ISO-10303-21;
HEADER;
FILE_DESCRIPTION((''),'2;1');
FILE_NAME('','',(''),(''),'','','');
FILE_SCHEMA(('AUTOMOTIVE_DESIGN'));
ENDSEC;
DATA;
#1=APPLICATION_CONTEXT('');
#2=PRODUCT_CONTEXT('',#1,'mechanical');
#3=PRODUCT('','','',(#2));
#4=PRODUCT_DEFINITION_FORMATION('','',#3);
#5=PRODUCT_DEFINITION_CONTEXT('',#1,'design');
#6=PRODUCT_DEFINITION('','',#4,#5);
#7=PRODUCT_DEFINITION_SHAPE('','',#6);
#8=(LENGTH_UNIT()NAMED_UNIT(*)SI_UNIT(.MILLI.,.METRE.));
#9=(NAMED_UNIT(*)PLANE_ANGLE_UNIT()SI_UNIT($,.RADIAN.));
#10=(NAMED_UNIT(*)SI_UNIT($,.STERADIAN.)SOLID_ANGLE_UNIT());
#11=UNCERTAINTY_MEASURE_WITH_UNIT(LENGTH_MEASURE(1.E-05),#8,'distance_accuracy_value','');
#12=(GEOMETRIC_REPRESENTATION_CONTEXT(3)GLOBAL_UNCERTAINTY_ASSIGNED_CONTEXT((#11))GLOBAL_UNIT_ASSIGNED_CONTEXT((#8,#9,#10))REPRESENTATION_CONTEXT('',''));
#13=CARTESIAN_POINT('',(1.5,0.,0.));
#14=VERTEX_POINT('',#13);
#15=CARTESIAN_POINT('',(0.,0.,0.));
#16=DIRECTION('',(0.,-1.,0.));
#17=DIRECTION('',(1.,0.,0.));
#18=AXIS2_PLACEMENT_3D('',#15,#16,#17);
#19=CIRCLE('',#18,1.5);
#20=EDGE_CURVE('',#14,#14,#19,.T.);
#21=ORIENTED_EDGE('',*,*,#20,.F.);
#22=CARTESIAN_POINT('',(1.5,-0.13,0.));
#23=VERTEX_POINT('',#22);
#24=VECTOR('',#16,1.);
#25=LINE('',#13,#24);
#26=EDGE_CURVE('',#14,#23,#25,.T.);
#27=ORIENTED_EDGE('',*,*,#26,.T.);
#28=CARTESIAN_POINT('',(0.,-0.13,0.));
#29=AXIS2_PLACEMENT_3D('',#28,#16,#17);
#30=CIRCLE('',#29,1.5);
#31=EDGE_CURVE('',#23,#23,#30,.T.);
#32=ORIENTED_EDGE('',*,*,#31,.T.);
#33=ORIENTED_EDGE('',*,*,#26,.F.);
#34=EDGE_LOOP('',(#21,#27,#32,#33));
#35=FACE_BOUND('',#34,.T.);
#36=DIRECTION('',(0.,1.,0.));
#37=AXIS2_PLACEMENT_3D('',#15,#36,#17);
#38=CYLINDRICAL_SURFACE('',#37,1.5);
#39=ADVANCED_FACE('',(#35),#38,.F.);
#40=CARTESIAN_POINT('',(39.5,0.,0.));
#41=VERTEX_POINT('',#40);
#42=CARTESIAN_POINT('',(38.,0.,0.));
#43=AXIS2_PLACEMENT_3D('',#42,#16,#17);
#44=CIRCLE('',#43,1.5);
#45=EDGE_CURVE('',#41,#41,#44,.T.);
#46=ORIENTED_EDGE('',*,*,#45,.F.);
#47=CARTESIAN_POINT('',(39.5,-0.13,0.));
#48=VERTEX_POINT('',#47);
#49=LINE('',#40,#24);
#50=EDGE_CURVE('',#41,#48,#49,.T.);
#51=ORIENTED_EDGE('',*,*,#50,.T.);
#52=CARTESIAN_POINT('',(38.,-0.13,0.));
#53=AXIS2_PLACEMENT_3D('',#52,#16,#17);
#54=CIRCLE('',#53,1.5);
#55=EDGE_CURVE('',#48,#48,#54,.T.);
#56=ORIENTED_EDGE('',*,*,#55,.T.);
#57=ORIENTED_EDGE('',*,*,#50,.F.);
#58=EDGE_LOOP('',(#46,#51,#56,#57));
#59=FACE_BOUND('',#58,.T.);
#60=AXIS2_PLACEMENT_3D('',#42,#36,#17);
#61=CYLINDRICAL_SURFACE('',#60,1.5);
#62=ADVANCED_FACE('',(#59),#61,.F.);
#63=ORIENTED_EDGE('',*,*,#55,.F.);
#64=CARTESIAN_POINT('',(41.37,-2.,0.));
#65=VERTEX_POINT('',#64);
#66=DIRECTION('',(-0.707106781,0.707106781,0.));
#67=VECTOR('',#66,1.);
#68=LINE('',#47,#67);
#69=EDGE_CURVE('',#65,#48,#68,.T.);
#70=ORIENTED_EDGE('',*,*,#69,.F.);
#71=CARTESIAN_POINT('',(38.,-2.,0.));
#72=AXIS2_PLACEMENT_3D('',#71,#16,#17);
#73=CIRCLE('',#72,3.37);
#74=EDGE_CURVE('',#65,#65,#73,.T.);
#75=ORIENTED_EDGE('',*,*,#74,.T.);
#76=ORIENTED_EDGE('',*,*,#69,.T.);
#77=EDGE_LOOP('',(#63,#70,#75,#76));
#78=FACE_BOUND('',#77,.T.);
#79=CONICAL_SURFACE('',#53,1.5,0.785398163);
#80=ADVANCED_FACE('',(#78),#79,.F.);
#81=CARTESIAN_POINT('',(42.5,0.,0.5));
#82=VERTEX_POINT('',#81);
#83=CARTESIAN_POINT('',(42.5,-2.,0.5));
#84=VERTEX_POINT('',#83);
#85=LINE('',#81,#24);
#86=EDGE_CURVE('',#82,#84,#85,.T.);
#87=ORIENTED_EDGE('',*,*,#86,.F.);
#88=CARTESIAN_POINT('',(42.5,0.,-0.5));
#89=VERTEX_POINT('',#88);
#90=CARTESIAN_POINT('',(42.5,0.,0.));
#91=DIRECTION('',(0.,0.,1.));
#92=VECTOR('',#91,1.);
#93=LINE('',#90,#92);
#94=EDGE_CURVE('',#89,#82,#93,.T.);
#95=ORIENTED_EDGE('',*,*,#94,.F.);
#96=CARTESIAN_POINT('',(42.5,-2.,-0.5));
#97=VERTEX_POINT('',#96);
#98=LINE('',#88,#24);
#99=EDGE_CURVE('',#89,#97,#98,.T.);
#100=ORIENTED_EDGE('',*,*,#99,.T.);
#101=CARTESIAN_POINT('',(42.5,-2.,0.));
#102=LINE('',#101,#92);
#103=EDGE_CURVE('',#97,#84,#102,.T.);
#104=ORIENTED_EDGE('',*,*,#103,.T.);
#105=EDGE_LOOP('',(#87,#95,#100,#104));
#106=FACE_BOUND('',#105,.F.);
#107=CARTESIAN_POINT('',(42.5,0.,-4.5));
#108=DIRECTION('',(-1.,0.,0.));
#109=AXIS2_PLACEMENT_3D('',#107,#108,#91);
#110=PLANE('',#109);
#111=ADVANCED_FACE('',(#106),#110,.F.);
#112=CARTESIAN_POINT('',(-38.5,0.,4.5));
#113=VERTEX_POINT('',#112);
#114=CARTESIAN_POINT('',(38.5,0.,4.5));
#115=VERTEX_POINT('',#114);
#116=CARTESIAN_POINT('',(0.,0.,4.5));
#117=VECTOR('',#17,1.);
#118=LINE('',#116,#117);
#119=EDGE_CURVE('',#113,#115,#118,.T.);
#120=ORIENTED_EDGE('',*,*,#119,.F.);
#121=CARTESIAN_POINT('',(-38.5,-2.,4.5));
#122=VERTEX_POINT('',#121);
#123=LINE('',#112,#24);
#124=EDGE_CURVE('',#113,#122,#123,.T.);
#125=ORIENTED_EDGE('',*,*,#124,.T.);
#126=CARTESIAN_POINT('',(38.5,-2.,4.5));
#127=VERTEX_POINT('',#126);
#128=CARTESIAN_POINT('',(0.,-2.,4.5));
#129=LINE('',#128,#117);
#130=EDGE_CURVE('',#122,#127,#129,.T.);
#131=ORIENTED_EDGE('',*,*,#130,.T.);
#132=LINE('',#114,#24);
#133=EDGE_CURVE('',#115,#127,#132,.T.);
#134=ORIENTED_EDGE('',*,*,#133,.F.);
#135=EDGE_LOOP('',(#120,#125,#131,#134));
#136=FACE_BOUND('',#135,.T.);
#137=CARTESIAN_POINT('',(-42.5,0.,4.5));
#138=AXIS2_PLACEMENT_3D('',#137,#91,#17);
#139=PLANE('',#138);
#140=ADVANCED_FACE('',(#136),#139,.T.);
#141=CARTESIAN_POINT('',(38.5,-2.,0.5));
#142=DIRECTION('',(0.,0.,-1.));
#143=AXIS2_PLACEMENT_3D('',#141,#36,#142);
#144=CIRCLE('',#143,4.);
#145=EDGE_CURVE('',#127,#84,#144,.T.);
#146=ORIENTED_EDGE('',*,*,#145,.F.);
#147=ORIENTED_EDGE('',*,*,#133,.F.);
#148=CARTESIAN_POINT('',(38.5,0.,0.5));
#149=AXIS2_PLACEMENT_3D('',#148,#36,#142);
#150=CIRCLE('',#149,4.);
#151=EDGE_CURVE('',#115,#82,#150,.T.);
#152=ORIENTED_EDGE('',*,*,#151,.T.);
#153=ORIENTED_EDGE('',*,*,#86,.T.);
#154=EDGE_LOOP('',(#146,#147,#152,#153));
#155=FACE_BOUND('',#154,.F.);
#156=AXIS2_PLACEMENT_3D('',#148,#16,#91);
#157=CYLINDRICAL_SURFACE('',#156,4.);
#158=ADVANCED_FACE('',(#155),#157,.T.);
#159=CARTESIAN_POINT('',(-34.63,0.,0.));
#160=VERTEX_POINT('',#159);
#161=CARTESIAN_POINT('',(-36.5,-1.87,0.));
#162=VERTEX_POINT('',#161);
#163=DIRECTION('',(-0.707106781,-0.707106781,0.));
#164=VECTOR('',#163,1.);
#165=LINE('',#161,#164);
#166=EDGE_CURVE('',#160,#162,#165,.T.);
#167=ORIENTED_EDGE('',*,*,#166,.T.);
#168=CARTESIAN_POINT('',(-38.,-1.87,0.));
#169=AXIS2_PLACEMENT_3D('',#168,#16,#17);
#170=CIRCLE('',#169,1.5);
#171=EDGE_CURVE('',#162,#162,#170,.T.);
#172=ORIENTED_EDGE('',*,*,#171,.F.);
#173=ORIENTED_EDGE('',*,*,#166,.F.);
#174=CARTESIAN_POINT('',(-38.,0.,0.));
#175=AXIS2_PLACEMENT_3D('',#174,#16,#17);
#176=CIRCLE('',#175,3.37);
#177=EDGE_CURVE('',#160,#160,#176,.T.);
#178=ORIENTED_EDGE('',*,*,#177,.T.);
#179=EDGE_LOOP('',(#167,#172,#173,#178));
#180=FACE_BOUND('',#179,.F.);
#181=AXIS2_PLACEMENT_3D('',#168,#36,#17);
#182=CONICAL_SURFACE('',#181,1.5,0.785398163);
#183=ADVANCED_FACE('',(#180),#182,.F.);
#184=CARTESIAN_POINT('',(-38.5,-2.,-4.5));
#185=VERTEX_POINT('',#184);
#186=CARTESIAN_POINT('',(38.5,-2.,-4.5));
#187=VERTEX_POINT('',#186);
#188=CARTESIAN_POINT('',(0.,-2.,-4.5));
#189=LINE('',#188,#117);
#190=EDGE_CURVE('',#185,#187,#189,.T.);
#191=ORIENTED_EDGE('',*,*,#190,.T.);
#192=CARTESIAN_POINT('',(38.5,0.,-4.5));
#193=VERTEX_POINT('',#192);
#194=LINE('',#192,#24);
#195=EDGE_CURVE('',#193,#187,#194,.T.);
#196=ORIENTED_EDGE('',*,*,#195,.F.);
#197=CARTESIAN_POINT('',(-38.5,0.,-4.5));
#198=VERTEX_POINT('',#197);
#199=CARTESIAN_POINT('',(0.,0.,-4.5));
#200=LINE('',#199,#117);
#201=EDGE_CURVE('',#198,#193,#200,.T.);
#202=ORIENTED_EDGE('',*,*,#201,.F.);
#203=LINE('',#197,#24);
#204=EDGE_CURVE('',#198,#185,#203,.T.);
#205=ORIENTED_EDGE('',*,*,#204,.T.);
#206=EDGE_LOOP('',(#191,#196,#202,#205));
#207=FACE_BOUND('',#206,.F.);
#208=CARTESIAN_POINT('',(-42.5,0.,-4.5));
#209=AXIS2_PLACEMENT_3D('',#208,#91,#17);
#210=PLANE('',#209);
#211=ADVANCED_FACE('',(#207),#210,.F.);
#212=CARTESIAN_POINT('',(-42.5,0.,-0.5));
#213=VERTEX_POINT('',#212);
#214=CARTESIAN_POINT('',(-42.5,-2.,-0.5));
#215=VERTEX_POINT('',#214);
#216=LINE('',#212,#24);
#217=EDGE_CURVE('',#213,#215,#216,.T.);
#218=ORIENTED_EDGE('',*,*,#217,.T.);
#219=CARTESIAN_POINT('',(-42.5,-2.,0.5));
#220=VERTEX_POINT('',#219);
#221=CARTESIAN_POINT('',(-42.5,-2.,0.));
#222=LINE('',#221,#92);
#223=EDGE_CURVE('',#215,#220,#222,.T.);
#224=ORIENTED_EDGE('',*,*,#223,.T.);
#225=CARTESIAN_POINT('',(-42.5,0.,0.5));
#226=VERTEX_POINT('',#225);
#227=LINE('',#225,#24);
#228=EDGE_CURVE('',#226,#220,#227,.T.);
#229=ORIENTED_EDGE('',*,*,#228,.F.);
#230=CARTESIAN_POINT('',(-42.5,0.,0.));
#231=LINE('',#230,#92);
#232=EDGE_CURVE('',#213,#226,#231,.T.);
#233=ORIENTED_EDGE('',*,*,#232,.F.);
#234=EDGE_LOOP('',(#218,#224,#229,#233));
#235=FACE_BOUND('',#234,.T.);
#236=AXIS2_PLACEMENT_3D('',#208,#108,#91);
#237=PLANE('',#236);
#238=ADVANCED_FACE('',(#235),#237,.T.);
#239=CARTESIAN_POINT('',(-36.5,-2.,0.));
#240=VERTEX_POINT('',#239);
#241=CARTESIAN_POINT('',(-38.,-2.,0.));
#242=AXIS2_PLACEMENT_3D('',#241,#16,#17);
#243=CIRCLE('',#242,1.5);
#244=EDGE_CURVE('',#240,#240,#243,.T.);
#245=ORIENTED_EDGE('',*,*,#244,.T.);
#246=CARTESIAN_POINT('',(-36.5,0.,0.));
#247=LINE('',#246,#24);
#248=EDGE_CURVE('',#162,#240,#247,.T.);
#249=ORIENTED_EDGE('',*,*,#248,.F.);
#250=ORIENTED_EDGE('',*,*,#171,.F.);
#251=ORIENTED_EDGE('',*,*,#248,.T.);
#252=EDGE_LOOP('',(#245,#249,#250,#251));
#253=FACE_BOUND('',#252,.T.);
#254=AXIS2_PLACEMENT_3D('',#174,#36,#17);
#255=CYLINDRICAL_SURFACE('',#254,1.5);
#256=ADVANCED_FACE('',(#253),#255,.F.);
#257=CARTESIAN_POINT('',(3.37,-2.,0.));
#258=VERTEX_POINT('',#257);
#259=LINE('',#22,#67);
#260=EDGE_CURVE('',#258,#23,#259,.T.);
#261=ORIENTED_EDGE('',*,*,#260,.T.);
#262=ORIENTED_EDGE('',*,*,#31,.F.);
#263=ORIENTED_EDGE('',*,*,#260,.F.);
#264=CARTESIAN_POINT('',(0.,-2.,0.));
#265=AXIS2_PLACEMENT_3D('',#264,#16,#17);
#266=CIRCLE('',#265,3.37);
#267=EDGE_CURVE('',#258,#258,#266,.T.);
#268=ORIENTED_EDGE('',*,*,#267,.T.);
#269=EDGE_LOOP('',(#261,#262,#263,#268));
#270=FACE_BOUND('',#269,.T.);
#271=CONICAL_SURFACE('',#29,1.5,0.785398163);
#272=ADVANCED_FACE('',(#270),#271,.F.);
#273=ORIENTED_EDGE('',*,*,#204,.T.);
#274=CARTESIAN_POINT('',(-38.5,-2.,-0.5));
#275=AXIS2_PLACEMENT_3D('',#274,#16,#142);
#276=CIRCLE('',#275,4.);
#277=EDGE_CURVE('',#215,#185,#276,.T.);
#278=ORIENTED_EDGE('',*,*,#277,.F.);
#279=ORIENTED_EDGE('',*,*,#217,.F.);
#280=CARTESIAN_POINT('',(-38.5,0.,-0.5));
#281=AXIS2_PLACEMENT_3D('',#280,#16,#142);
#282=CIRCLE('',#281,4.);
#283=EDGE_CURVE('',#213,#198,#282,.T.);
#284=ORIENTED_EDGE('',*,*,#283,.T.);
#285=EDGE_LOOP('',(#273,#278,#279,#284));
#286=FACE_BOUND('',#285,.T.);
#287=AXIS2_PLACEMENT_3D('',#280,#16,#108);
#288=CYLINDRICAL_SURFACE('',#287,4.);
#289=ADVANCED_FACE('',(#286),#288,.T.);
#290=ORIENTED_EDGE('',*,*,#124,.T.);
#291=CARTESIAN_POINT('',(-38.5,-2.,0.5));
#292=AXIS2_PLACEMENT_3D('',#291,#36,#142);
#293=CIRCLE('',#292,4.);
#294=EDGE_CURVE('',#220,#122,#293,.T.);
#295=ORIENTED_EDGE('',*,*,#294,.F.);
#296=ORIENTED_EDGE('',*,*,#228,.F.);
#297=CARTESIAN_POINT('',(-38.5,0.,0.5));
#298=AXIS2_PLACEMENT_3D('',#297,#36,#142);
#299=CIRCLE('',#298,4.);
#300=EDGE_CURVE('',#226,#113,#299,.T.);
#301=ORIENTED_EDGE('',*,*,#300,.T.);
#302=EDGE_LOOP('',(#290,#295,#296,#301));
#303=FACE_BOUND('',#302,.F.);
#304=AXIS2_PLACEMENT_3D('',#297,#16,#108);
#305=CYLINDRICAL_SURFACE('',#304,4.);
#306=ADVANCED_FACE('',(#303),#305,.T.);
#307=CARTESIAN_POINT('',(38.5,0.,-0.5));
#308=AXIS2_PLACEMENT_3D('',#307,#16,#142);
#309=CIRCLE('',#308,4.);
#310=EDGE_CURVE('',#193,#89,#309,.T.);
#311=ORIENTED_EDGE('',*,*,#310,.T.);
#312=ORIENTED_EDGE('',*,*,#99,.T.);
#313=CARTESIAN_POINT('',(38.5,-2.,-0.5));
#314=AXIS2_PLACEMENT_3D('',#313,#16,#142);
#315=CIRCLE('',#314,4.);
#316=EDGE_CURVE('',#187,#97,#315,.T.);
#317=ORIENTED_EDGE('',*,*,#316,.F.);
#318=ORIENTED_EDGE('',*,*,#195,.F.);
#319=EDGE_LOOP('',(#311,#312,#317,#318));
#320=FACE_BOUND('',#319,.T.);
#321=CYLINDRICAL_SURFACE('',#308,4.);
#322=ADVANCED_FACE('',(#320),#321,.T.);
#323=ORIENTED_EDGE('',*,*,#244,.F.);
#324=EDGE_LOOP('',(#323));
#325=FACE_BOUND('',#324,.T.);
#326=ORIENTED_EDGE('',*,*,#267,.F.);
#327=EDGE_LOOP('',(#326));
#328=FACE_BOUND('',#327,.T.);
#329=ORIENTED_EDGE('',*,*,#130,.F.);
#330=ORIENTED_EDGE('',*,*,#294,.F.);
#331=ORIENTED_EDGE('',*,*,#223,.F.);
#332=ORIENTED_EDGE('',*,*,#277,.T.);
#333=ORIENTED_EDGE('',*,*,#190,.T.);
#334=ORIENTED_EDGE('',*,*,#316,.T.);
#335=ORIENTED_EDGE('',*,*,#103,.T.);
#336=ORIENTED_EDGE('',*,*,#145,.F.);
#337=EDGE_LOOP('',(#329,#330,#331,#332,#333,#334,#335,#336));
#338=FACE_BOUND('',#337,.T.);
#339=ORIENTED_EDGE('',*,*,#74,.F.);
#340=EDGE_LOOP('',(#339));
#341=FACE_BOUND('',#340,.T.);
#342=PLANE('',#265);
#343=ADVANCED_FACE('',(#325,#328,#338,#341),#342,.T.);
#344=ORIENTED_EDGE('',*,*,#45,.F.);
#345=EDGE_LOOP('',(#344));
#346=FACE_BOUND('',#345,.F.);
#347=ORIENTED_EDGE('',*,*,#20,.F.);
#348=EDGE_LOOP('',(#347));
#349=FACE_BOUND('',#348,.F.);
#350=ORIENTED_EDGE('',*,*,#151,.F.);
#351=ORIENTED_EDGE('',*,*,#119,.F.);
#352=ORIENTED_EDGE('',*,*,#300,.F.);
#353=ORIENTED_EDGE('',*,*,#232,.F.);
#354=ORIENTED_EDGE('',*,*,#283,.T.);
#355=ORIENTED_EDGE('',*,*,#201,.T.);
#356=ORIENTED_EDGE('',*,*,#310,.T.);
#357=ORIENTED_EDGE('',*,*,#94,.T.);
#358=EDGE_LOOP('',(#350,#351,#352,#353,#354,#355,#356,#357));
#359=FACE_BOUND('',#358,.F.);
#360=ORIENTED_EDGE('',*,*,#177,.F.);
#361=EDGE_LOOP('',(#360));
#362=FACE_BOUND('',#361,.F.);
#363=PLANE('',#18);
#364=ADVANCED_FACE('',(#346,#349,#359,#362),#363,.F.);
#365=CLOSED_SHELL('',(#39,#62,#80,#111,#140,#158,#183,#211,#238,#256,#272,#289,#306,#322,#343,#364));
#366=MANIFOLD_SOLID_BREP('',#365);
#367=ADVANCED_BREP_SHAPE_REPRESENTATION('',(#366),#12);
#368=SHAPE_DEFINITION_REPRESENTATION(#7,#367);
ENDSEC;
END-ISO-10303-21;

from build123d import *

# Parameters (mm, degrees)
F0_W     = 85
F0_H     = 9
F0_R     = 1.5
F1_DEPTH = 2
F2_R     = 4
F3_SIZE  = 1.87


with BuildPart() as f1:
    # F0 (on Front) → F1 (new body)
    with BuildSketch(Plane.XZ):
        Rectangle(F0_W, F0_H)
        with Locations((-38, 0)):
            Circle(F0_R, mode=Mode.SUBTRACT)
        Circle(F0_R, mode=Mode.SUBTRACT)
        with Locations((38, 0)):
            Circle(F0_R, mode=Mode.SUBTRACT)
    extrude(amount=F1_DEPTH)

    # F2
    f2_edges = [f1.edges().sort_by_distance(p)[0] for p in [
        (-42.5, -1, 4.5),
        (-42.5, -1, -4.5),
        (42.5, -1, -4.5),
        (42.5, -1, 4.5),
    ]]
    fillet(f2_edges, radius=F2_R)

    # F3
    f3_edges = [f1.edges().sort_by_distance(p)[0] for p in [
        (36.5, -2, 0),
        (-1.5, -2, 0),
        (-39.5, 0, 0),
    ]]
    chamfer(f3_edges, length=F3_SIZE)


solid = f1.part
